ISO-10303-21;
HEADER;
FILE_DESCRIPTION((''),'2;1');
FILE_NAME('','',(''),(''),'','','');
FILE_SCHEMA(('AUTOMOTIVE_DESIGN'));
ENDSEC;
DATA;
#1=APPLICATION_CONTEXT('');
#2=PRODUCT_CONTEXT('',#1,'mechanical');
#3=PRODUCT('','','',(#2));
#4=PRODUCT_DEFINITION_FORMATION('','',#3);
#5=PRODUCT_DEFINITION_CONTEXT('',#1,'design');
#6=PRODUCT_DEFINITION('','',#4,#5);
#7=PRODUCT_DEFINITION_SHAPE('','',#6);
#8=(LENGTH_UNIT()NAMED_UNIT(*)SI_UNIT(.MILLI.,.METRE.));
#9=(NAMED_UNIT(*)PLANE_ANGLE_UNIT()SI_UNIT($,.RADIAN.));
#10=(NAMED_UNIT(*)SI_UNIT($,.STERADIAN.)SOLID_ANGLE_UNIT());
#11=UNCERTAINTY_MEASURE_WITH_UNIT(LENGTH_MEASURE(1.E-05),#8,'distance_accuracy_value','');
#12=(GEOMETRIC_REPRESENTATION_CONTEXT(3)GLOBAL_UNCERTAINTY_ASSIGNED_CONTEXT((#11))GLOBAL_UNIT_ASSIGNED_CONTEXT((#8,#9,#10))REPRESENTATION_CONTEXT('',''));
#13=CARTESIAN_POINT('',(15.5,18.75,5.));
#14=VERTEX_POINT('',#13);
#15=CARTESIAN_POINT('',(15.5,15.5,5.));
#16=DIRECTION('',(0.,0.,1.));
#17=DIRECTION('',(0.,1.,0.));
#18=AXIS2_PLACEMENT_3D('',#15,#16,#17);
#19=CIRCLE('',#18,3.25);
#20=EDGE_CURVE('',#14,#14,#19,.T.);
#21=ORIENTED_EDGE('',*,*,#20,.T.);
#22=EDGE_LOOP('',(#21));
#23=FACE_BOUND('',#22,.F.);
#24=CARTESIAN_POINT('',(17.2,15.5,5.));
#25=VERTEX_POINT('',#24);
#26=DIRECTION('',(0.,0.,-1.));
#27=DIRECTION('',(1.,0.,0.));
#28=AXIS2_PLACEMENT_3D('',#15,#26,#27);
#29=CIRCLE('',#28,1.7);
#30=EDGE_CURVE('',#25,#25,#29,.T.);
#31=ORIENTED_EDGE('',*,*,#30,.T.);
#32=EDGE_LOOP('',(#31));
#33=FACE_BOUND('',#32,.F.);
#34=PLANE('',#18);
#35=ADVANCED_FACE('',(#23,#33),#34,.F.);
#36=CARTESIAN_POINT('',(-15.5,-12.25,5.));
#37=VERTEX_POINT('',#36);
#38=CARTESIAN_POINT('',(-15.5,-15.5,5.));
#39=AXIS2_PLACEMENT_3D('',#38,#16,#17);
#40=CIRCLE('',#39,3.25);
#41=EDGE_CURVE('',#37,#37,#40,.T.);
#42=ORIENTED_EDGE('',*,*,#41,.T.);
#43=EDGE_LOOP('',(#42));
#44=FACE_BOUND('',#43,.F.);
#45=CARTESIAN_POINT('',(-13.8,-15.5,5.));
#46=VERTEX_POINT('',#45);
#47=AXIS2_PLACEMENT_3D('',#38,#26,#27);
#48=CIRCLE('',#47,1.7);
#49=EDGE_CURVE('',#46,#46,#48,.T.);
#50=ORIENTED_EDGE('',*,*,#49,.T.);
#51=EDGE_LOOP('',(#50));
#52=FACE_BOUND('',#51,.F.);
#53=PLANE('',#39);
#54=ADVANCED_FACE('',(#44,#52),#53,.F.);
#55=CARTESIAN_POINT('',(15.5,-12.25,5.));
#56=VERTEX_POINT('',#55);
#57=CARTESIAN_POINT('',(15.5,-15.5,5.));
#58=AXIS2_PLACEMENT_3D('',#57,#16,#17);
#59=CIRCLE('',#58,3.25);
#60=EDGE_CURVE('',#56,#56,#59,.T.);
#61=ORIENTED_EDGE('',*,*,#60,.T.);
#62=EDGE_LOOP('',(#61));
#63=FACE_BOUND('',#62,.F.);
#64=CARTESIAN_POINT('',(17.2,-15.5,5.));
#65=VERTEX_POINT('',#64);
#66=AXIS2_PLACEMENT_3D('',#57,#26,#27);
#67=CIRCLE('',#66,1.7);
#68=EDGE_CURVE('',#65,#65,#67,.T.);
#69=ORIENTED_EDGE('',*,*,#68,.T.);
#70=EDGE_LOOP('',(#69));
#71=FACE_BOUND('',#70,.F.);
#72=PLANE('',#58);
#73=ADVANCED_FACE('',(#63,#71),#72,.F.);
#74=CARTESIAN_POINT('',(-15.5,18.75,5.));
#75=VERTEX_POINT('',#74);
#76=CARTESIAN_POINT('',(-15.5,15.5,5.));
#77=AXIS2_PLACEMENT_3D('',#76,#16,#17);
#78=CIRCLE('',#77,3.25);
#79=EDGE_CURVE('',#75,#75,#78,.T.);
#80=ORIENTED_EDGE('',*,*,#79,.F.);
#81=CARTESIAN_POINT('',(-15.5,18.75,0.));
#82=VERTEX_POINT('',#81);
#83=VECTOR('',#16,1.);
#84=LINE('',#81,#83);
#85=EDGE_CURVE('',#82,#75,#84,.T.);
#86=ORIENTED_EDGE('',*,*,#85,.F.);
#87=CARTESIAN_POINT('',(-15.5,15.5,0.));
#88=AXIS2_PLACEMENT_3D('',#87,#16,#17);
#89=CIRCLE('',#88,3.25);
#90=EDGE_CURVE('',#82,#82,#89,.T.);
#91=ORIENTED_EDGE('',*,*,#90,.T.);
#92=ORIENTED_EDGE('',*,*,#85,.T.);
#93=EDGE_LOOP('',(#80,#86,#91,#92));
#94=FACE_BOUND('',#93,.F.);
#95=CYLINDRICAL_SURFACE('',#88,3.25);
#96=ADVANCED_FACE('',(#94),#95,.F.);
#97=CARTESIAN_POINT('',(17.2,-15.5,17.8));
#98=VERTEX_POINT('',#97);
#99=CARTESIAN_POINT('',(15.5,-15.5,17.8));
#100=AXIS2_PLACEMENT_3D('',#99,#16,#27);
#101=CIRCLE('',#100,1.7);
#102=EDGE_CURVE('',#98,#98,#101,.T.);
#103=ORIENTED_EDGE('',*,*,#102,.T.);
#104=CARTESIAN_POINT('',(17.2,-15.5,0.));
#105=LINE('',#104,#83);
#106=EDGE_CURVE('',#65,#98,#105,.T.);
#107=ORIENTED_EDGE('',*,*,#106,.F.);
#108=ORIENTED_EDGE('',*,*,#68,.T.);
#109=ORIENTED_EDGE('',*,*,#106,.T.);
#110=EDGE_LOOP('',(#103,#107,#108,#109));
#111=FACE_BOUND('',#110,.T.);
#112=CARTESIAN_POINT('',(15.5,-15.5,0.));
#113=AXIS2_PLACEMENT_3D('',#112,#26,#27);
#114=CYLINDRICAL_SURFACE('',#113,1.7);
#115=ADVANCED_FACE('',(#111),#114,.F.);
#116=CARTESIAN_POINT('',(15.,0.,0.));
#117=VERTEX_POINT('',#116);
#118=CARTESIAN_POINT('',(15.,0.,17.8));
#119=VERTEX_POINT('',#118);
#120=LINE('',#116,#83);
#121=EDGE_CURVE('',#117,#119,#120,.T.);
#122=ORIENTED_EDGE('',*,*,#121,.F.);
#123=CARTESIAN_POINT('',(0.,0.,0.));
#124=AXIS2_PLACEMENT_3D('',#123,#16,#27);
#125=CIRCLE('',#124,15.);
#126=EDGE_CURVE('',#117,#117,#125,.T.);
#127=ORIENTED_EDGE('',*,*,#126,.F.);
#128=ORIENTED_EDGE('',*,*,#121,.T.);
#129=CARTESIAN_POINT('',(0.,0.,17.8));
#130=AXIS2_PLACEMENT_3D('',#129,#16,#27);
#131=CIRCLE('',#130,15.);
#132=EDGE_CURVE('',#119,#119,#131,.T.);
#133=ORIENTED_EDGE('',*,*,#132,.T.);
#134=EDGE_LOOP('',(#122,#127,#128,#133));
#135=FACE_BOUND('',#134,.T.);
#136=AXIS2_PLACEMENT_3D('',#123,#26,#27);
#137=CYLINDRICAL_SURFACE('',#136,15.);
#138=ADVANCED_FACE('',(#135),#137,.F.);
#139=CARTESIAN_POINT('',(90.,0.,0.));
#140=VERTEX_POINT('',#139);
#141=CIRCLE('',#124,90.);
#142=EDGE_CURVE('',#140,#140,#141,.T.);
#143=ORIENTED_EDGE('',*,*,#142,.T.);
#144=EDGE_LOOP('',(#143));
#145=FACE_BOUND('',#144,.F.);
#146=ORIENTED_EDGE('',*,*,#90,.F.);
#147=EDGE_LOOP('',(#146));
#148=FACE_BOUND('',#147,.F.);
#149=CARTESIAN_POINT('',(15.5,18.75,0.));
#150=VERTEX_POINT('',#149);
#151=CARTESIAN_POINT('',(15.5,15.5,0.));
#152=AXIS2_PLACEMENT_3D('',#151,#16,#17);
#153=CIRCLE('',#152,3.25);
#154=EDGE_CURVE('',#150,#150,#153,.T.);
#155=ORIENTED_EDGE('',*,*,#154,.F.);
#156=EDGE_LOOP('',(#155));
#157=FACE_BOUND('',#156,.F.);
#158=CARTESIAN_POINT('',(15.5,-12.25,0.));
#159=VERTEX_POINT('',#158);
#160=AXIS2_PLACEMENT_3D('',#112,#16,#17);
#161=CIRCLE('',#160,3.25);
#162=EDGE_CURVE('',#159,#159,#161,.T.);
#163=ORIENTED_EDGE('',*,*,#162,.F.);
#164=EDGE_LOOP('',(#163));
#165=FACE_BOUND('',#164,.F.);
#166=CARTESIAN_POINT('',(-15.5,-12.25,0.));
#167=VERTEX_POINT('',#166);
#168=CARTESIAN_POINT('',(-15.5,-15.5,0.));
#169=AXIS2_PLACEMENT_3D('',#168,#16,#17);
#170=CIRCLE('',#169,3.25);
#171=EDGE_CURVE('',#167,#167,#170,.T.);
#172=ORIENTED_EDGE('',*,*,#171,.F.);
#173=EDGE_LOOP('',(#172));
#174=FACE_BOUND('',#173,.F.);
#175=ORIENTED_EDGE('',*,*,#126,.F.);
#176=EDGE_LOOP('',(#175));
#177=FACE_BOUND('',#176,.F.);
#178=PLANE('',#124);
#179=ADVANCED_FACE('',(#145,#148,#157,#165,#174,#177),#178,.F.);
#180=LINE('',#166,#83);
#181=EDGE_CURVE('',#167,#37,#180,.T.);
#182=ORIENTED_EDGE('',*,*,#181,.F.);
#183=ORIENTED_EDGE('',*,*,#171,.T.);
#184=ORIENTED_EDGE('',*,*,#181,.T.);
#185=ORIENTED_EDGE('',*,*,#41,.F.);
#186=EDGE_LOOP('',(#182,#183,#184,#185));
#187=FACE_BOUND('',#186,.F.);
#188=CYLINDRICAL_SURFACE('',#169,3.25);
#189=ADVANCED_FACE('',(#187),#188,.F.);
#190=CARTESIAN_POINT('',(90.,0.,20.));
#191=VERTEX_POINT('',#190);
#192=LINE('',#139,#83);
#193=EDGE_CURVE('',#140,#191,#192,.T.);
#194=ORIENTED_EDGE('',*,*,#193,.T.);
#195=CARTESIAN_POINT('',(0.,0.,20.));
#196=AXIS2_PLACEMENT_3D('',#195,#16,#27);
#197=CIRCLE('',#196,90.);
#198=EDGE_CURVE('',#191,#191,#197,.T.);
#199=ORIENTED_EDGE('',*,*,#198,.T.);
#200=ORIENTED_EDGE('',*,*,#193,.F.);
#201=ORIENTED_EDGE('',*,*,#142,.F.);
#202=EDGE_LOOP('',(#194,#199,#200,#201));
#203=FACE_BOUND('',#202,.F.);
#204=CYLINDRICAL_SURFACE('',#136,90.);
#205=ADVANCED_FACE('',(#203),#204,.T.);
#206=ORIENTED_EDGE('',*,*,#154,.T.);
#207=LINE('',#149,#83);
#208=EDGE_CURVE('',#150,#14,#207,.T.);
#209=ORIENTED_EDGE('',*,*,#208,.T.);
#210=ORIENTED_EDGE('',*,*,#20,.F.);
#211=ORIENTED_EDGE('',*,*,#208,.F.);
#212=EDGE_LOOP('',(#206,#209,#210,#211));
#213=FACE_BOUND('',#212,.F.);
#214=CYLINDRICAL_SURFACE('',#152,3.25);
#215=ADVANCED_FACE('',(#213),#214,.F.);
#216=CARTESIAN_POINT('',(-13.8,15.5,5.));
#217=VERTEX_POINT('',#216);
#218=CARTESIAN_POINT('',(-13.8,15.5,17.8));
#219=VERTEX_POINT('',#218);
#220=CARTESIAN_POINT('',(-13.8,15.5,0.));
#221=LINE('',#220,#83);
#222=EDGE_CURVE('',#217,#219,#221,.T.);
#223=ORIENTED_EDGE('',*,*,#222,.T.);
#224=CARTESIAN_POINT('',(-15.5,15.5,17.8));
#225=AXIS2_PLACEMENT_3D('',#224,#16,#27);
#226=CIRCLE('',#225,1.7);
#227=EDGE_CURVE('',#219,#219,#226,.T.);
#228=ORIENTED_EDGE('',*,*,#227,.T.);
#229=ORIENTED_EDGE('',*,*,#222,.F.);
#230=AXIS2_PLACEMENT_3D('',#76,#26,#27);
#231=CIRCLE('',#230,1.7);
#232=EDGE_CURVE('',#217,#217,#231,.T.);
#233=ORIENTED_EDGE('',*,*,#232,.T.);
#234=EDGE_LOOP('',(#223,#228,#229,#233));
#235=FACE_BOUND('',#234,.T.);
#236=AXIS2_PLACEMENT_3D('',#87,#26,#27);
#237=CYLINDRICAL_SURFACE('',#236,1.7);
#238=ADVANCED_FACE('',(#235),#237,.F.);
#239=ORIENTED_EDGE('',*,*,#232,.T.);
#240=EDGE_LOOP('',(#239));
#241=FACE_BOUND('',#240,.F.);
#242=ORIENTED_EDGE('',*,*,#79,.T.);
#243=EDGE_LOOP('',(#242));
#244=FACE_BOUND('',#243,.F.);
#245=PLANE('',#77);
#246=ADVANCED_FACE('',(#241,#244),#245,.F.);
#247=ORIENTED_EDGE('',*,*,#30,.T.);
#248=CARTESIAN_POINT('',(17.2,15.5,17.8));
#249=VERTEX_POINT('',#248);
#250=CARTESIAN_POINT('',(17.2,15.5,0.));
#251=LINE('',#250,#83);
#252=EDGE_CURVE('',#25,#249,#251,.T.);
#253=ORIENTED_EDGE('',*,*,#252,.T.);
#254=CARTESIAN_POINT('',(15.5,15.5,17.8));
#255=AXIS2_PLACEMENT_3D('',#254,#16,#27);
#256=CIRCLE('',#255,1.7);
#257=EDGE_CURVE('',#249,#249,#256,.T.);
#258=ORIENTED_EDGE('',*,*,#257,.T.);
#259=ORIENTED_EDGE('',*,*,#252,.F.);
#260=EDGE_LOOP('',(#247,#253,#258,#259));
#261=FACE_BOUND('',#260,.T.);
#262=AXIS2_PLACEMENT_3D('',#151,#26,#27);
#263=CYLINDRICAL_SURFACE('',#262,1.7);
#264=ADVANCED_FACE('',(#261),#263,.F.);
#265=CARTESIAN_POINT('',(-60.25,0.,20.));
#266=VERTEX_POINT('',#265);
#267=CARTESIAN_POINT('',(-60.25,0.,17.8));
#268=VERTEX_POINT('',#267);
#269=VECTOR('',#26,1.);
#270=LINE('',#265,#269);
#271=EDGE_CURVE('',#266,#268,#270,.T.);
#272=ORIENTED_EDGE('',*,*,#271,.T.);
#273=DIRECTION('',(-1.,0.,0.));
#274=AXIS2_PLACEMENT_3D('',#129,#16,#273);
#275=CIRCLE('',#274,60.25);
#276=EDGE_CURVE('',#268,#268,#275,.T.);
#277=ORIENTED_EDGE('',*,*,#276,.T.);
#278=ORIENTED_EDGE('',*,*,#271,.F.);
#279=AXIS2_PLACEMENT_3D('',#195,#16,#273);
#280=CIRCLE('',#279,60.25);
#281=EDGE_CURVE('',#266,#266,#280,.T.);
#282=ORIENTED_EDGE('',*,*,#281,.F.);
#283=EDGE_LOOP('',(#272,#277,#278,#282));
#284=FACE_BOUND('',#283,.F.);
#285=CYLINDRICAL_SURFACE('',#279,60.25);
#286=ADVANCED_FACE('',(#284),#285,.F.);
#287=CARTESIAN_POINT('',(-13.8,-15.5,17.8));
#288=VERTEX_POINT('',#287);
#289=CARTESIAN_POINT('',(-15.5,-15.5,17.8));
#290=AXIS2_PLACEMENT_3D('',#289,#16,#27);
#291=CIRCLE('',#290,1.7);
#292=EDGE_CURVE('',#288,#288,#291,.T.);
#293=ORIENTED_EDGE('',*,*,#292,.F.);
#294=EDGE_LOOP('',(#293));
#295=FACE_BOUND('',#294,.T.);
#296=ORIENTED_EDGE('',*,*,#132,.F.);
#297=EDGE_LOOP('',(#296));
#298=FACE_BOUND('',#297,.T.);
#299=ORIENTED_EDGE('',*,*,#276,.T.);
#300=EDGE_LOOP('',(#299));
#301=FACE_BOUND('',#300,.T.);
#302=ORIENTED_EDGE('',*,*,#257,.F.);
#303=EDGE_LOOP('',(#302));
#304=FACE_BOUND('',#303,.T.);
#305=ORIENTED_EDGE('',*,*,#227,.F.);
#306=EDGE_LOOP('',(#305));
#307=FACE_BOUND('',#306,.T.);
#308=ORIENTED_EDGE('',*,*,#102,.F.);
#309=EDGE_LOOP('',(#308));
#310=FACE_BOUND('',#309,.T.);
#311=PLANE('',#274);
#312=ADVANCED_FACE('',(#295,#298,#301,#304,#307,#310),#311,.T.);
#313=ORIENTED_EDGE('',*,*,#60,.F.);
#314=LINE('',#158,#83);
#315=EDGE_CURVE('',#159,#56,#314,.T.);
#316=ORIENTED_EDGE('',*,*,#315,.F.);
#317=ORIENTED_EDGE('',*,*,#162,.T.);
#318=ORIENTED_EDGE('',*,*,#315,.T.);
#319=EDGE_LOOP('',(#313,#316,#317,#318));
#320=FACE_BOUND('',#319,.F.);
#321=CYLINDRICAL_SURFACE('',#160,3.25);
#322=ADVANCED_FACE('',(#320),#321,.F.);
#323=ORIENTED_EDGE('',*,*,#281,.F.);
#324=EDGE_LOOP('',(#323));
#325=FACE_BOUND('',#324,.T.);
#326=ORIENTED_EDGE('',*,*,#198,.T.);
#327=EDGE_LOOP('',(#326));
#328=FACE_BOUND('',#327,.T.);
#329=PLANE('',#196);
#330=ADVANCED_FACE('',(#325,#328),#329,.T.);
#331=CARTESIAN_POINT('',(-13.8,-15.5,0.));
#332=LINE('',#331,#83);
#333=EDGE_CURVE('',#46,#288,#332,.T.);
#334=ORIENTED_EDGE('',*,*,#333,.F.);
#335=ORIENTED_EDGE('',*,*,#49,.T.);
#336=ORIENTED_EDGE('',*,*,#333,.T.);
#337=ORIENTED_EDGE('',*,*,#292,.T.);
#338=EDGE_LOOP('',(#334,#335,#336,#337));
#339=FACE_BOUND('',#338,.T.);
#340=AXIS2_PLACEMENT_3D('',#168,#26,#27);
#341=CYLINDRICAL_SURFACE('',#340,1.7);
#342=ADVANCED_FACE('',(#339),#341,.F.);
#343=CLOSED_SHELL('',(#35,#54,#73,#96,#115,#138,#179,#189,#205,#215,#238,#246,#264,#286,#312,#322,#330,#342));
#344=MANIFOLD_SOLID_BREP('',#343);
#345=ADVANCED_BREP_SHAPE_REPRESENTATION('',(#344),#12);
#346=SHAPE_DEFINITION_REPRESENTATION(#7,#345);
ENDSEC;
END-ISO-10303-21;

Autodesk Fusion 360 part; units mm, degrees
sketch "Sketch1" plane through (0, 0, 0) normal (0, 0, 1) x (1, 0, 0)
  circle A0 centre (0, 0) radius 90
  circle A1 centre (0, 0) radius 15
  line L0 (15.5, 15.5) -> (-15.5, 15.5)
  line L1 (-15.5, 15.5) -> (-15.5, -15.5)
  line L2 (-15.5, -15.5) -> (15.5, -15.5)
  line L3 (15.5, -15.5) -> (15.5, 15.5)
  line L4 (15.5, 15.5) -> (-15.5, -15.5) construction
  line L5 (-15.5, 15.5) -> (15.5, -15.5) construction
  circle A2 centre (-15.5, 15.5) radius 1.7
  circle A3 centre (15.5, 15.5) radius 1.7
  circle A4 centre (-15.5, -15.5) radius 1.7
  circle A5 centre (15.5, -15.5) radius 1.7
  dimension "d1" = 180
  dimension "d2" = 30
  dimension "d3" = 31
  dimension "d4" = 31
  dimension "d5" = 3.4
  dimension "d8" = 31
  dimension "d9" = -31
extrude "Extrude1" add sketch "Sketch1" along normal blind 20 contours A0 | L0 L1 L2 L3 A2 A3 A4 A5
sketch "Sketch2" plane through (0, 0, 20) normal (0, 0, 1) x (-1, 0, 0)
  circle A0 centre (0, 0) radius 15
  circle A1 centre (15.5, -15.5) radius 1.7
  circle A2 centre (15.5, 15.5) radius 1.7
  circle A3 centre (-15.5, -15.5) radius 1.7
  circle A4 centre (-15.5, 15.5) radius 1.7
  circle A5 centre (0, 0) radius 90
  circle A6 centre (0, 0) radius 60.25
  dimension "d12" = 120.5
extrude "Extrude2" cut sketch "Sketch2" against normal blind 2.2 contours A6
hole "Hole1" at (15.5, -15.5, 0) direction (0, 0, 1) diameter 3.2 depth 17.8 tip angle 118 counterbore diameter 6.5 counterbore depth 5
hole "Hole2" at (15.5, 15.5, 0) direction (0, 0, 1) diameter 3.2 depth 17.8 tip angle 118 counterbore diameter 6.5 counterbore depth 5
hole "Hole3" at (-15.5, -15.5, 0) direction (0, 0, 1) diameter 3.2 depth 17.8 tip angle 118 counterbore diameter 6.5 counterbore depth 5
hole "Hole4" at (-15.5, 15.5, 0) direction (0, 0, 1) diameter 3.2 depth 17.8 tip angle 118 counterbore diameter 6.5 counterbore depth 5
